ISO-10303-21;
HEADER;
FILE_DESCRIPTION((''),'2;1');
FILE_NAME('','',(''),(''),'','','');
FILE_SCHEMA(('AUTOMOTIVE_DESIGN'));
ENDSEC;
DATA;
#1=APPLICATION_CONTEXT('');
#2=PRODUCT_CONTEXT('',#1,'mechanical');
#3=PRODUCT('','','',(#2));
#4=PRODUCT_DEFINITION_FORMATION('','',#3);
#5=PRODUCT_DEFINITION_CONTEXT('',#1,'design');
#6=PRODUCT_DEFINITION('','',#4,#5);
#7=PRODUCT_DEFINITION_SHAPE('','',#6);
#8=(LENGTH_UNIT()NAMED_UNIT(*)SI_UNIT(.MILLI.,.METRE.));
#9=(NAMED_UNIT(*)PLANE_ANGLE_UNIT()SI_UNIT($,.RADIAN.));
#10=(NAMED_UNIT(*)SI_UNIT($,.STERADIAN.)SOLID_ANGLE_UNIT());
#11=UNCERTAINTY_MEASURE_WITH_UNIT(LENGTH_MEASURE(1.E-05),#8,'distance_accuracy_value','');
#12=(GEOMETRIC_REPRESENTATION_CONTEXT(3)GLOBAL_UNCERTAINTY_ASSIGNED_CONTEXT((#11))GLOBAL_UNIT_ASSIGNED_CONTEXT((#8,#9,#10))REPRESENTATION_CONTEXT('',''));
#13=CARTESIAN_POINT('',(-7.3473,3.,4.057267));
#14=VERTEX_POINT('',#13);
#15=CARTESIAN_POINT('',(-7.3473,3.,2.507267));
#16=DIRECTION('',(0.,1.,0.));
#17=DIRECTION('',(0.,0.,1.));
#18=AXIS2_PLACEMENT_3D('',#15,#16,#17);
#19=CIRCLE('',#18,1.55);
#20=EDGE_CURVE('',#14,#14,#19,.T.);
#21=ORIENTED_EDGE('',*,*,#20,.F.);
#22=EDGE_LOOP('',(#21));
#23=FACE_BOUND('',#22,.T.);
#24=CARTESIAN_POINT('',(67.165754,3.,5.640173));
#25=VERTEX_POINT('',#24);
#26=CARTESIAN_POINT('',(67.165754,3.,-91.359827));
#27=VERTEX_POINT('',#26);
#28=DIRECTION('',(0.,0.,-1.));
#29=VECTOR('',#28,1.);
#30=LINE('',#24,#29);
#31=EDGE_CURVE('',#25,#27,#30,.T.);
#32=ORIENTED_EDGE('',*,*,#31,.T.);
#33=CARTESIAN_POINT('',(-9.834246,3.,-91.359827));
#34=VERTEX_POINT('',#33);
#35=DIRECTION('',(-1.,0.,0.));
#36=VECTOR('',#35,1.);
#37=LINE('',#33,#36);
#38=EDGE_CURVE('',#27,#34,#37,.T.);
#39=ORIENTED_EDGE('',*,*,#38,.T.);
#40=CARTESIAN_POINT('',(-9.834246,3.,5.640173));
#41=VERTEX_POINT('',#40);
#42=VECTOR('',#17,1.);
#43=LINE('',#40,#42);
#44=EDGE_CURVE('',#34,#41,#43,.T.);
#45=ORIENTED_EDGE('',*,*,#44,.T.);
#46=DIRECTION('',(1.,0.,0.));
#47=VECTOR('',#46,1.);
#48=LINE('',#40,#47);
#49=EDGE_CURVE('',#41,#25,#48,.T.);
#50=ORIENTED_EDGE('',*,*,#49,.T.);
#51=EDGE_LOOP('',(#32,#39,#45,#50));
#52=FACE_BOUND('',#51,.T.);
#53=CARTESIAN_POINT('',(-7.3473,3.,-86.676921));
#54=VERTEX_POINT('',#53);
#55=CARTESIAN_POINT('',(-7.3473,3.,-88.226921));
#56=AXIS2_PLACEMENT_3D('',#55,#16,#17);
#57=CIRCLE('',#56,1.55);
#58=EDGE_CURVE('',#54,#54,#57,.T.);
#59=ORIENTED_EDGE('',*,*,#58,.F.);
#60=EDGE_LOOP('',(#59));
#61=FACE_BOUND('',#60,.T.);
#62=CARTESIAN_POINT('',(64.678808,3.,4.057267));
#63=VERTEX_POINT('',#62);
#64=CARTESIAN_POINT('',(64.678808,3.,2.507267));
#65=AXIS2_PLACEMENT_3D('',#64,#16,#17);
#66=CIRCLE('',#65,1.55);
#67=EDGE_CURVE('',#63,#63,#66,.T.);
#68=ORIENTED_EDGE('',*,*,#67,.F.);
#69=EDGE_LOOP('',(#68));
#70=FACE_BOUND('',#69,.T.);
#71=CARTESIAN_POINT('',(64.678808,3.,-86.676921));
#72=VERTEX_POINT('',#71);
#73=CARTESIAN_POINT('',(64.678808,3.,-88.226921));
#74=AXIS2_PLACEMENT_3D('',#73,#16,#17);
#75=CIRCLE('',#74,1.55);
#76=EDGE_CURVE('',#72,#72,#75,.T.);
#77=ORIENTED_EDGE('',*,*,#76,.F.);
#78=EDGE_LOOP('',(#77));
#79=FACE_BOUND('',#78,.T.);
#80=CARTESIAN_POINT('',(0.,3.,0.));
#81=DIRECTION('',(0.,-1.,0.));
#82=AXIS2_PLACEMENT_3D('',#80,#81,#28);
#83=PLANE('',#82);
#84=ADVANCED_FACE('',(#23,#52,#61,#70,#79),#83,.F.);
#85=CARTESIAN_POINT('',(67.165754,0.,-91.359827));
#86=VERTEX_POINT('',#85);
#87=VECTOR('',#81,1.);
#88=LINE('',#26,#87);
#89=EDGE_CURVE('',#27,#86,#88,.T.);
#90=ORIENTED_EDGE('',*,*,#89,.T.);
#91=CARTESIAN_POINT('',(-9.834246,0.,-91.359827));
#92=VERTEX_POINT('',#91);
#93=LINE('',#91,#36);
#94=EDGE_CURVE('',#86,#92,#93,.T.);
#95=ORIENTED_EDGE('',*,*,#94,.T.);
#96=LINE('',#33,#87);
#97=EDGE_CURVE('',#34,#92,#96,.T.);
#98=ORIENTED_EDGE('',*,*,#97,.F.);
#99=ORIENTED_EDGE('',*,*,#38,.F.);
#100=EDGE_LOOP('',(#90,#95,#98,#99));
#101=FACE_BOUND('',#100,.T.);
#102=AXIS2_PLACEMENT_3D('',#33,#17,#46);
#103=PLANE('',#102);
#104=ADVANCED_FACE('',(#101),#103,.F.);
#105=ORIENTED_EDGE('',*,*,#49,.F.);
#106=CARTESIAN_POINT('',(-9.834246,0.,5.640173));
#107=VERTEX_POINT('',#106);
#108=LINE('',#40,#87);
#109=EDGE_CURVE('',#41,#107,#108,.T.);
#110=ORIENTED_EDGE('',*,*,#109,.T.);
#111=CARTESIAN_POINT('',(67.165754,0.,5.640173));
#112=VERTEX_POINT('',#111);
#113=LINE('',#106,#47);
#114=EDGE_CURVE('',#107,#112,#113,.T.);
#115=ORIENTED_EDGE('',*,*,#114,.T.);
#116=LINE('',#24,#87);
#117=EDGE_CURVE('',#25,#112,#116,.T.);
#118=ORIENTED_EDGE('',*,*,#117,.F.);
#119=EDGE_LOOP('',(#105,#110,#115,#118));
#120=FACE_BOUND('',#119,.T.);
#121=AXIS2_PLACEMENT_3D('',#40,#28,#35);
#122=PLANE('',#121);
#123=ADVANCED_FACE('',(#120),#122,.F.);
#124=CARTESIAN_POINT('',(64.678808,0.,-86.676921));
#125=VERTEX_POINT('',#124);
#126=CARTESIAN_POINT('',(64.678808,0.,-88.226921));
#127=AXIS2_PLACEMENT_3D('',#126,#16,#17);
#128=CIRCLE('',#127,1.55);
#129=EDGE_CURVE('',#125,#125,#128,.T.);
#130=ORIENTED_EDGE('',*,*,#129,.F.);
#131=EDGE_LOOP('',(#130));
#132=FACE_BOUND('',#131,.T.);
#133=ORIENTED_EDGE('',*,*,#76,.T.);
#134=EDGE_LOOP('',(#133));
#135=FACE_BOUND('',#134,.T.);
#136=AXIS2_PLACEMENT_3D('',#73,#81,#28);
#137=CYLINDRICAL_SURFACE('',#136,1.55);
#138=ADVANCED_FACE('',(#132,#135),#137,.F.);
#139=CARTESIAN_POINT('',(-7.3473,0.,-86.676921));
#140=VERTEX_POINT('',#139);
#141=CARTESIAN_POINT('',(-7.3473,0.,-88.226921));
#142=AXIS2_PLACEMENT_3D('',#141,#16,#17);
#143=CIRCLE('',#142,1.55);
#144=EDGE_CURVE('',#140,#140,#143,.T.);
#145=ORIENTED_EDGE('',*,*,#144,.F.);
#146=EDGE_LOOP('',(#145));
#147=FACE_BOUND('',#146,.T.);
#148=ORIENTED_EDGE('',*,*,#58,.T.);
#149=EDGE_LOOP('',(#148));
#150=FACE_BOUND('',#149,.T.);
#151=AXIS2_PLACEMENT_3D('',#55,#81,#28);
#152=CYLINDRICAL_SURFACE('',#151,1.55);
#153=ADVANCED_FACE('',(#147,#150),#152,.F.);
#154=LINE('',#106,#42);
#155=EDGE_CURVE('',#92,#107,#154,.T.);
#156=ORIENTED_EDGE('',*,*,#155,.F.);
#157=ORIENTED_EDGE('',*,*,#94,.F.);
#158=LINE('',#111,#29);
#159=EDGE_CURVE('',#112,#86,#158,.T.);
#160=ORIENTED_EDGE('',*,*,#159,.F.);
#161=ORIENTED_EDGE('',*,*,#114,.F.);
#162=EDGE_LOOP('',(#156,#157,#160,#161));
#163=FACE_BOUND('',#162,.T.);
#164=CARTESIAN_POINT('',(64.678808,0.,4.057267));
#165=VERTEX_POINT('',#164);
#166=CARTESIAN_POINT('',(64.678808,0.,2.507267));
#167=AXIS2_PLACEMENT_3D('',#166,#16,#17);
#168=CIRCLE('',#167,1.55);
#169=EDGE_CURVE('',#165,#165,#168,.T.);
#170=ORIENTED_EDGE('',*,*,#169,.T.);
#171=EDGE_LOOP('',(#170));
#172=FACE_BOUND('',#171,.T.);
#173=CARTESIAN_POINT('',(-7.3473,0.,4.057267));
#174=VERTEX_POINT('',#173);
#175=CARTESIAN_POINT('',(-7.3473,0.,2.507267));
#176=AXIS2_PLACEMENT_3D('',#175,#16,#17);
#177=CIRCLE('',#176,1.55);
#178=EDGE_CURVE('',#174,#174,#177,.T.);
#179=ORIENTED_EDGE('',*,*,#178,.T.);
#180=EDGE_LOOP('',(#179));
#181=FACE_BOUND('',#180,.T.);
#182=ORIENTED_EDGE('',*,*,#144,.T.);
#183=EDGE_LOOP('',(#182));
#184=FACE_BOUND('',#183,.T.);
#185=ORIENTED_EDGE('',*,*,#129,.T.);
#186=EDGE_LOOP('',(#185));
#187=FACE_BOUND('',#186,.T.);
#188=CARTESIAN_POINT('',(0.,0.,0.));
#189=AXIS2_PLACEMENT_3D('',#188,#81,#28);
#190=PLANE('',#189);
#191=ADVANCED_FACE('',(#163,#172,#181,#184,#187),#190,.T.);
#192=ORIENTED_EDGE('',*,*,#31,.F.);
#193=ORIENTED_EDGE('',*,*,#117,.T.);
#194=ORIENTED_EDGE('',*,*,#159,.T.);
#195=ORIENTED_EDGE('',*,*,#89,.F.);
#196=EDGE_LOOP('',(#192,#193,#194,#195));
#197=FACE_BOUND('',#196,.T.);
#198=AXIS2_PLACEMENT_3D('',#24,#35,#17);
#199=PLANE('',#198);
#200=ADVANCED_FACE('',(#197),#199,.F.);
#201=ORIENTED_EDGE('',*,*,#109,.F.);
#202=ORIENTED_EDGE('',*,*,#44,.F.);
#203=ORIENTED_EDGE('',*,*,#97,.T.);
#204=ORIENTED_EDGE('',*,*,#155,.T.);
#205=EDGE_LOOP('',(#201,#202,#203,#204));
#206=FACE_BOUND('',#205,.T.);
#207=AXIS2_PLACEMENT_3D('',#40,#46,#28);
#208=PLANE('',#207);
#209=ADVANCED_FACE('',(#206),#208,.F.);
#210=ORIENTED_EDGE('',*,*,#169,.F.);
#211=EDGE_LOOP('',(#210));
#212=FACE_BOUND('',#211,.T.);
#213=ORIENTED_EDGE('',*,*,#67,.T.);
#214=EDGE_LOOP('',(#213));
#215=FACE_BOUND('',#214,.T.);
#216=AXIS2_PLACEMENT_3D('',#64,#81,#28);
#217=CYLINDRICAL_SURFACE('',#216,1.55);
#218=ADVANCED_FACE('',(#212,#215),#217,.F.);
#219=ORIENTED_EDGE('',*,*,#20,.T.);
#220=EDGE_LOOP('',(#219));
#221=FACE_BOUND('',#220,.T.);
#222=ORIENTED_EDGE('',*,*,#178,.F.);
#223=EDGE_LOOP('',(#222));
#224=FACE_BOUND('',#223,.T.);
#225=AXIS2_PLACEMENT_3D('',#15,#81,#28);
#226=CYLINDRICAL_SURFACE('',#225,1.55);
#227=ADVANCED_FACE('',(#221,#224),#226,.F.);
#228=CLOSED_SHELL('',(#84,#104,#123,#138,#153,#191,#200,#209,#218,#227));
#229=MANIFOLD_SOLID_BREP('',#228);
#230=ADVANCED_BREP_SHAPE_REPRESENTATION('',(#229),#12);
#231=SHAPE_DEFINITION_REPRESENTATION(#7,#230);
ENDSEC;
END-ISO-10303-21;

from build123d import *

# Parameters (mm, degrees)
SKETCH1_W           = 77
SKETCH1_H           = 97
SKETCH1_R           = 1.55
BOSS_EXTRUDE1_DEPTH = 3


with BuildPart() as part:
    # Sketch1 → Boss-Extrude1 (new body)
    with BuildSketch(Plane(origin=(0, 0, 0), x_dir=(1, 0, 0), z_dir=(0, 1, 0))):
        with Locations((28.665754391, 42.859827362)):
            Rectangle(SKETCH1_W, SKETCH1_H)
        with Locations(Location((-7.347299641, 88.226921402, 0), (0, 0, 270))):
            Circle(SKETCH1_R, mode=Mode.SUBTRACT)
        with Locations(Location((64.678808423, 88.226921402, 0), (0, 0, 270))):
            Circle(SKETCH1_R, mode=Mode.SUBTRACT)
        with Locations(Location((-7.347299641, -2.507266679, 0), (0, 0, 270))):
            Circle(SKETCH1_R, mode=Mode.SUBTRACT)
        with Locations(Location((64.678808423, -2.507266679, 0), (0, 0, 270))):
            Circle(SKETCH1_R, mode=Mode.SUBTRACT)
    extrude(amount=BOSS_EXTRUDE1_DEPTH)


solid = part.part
